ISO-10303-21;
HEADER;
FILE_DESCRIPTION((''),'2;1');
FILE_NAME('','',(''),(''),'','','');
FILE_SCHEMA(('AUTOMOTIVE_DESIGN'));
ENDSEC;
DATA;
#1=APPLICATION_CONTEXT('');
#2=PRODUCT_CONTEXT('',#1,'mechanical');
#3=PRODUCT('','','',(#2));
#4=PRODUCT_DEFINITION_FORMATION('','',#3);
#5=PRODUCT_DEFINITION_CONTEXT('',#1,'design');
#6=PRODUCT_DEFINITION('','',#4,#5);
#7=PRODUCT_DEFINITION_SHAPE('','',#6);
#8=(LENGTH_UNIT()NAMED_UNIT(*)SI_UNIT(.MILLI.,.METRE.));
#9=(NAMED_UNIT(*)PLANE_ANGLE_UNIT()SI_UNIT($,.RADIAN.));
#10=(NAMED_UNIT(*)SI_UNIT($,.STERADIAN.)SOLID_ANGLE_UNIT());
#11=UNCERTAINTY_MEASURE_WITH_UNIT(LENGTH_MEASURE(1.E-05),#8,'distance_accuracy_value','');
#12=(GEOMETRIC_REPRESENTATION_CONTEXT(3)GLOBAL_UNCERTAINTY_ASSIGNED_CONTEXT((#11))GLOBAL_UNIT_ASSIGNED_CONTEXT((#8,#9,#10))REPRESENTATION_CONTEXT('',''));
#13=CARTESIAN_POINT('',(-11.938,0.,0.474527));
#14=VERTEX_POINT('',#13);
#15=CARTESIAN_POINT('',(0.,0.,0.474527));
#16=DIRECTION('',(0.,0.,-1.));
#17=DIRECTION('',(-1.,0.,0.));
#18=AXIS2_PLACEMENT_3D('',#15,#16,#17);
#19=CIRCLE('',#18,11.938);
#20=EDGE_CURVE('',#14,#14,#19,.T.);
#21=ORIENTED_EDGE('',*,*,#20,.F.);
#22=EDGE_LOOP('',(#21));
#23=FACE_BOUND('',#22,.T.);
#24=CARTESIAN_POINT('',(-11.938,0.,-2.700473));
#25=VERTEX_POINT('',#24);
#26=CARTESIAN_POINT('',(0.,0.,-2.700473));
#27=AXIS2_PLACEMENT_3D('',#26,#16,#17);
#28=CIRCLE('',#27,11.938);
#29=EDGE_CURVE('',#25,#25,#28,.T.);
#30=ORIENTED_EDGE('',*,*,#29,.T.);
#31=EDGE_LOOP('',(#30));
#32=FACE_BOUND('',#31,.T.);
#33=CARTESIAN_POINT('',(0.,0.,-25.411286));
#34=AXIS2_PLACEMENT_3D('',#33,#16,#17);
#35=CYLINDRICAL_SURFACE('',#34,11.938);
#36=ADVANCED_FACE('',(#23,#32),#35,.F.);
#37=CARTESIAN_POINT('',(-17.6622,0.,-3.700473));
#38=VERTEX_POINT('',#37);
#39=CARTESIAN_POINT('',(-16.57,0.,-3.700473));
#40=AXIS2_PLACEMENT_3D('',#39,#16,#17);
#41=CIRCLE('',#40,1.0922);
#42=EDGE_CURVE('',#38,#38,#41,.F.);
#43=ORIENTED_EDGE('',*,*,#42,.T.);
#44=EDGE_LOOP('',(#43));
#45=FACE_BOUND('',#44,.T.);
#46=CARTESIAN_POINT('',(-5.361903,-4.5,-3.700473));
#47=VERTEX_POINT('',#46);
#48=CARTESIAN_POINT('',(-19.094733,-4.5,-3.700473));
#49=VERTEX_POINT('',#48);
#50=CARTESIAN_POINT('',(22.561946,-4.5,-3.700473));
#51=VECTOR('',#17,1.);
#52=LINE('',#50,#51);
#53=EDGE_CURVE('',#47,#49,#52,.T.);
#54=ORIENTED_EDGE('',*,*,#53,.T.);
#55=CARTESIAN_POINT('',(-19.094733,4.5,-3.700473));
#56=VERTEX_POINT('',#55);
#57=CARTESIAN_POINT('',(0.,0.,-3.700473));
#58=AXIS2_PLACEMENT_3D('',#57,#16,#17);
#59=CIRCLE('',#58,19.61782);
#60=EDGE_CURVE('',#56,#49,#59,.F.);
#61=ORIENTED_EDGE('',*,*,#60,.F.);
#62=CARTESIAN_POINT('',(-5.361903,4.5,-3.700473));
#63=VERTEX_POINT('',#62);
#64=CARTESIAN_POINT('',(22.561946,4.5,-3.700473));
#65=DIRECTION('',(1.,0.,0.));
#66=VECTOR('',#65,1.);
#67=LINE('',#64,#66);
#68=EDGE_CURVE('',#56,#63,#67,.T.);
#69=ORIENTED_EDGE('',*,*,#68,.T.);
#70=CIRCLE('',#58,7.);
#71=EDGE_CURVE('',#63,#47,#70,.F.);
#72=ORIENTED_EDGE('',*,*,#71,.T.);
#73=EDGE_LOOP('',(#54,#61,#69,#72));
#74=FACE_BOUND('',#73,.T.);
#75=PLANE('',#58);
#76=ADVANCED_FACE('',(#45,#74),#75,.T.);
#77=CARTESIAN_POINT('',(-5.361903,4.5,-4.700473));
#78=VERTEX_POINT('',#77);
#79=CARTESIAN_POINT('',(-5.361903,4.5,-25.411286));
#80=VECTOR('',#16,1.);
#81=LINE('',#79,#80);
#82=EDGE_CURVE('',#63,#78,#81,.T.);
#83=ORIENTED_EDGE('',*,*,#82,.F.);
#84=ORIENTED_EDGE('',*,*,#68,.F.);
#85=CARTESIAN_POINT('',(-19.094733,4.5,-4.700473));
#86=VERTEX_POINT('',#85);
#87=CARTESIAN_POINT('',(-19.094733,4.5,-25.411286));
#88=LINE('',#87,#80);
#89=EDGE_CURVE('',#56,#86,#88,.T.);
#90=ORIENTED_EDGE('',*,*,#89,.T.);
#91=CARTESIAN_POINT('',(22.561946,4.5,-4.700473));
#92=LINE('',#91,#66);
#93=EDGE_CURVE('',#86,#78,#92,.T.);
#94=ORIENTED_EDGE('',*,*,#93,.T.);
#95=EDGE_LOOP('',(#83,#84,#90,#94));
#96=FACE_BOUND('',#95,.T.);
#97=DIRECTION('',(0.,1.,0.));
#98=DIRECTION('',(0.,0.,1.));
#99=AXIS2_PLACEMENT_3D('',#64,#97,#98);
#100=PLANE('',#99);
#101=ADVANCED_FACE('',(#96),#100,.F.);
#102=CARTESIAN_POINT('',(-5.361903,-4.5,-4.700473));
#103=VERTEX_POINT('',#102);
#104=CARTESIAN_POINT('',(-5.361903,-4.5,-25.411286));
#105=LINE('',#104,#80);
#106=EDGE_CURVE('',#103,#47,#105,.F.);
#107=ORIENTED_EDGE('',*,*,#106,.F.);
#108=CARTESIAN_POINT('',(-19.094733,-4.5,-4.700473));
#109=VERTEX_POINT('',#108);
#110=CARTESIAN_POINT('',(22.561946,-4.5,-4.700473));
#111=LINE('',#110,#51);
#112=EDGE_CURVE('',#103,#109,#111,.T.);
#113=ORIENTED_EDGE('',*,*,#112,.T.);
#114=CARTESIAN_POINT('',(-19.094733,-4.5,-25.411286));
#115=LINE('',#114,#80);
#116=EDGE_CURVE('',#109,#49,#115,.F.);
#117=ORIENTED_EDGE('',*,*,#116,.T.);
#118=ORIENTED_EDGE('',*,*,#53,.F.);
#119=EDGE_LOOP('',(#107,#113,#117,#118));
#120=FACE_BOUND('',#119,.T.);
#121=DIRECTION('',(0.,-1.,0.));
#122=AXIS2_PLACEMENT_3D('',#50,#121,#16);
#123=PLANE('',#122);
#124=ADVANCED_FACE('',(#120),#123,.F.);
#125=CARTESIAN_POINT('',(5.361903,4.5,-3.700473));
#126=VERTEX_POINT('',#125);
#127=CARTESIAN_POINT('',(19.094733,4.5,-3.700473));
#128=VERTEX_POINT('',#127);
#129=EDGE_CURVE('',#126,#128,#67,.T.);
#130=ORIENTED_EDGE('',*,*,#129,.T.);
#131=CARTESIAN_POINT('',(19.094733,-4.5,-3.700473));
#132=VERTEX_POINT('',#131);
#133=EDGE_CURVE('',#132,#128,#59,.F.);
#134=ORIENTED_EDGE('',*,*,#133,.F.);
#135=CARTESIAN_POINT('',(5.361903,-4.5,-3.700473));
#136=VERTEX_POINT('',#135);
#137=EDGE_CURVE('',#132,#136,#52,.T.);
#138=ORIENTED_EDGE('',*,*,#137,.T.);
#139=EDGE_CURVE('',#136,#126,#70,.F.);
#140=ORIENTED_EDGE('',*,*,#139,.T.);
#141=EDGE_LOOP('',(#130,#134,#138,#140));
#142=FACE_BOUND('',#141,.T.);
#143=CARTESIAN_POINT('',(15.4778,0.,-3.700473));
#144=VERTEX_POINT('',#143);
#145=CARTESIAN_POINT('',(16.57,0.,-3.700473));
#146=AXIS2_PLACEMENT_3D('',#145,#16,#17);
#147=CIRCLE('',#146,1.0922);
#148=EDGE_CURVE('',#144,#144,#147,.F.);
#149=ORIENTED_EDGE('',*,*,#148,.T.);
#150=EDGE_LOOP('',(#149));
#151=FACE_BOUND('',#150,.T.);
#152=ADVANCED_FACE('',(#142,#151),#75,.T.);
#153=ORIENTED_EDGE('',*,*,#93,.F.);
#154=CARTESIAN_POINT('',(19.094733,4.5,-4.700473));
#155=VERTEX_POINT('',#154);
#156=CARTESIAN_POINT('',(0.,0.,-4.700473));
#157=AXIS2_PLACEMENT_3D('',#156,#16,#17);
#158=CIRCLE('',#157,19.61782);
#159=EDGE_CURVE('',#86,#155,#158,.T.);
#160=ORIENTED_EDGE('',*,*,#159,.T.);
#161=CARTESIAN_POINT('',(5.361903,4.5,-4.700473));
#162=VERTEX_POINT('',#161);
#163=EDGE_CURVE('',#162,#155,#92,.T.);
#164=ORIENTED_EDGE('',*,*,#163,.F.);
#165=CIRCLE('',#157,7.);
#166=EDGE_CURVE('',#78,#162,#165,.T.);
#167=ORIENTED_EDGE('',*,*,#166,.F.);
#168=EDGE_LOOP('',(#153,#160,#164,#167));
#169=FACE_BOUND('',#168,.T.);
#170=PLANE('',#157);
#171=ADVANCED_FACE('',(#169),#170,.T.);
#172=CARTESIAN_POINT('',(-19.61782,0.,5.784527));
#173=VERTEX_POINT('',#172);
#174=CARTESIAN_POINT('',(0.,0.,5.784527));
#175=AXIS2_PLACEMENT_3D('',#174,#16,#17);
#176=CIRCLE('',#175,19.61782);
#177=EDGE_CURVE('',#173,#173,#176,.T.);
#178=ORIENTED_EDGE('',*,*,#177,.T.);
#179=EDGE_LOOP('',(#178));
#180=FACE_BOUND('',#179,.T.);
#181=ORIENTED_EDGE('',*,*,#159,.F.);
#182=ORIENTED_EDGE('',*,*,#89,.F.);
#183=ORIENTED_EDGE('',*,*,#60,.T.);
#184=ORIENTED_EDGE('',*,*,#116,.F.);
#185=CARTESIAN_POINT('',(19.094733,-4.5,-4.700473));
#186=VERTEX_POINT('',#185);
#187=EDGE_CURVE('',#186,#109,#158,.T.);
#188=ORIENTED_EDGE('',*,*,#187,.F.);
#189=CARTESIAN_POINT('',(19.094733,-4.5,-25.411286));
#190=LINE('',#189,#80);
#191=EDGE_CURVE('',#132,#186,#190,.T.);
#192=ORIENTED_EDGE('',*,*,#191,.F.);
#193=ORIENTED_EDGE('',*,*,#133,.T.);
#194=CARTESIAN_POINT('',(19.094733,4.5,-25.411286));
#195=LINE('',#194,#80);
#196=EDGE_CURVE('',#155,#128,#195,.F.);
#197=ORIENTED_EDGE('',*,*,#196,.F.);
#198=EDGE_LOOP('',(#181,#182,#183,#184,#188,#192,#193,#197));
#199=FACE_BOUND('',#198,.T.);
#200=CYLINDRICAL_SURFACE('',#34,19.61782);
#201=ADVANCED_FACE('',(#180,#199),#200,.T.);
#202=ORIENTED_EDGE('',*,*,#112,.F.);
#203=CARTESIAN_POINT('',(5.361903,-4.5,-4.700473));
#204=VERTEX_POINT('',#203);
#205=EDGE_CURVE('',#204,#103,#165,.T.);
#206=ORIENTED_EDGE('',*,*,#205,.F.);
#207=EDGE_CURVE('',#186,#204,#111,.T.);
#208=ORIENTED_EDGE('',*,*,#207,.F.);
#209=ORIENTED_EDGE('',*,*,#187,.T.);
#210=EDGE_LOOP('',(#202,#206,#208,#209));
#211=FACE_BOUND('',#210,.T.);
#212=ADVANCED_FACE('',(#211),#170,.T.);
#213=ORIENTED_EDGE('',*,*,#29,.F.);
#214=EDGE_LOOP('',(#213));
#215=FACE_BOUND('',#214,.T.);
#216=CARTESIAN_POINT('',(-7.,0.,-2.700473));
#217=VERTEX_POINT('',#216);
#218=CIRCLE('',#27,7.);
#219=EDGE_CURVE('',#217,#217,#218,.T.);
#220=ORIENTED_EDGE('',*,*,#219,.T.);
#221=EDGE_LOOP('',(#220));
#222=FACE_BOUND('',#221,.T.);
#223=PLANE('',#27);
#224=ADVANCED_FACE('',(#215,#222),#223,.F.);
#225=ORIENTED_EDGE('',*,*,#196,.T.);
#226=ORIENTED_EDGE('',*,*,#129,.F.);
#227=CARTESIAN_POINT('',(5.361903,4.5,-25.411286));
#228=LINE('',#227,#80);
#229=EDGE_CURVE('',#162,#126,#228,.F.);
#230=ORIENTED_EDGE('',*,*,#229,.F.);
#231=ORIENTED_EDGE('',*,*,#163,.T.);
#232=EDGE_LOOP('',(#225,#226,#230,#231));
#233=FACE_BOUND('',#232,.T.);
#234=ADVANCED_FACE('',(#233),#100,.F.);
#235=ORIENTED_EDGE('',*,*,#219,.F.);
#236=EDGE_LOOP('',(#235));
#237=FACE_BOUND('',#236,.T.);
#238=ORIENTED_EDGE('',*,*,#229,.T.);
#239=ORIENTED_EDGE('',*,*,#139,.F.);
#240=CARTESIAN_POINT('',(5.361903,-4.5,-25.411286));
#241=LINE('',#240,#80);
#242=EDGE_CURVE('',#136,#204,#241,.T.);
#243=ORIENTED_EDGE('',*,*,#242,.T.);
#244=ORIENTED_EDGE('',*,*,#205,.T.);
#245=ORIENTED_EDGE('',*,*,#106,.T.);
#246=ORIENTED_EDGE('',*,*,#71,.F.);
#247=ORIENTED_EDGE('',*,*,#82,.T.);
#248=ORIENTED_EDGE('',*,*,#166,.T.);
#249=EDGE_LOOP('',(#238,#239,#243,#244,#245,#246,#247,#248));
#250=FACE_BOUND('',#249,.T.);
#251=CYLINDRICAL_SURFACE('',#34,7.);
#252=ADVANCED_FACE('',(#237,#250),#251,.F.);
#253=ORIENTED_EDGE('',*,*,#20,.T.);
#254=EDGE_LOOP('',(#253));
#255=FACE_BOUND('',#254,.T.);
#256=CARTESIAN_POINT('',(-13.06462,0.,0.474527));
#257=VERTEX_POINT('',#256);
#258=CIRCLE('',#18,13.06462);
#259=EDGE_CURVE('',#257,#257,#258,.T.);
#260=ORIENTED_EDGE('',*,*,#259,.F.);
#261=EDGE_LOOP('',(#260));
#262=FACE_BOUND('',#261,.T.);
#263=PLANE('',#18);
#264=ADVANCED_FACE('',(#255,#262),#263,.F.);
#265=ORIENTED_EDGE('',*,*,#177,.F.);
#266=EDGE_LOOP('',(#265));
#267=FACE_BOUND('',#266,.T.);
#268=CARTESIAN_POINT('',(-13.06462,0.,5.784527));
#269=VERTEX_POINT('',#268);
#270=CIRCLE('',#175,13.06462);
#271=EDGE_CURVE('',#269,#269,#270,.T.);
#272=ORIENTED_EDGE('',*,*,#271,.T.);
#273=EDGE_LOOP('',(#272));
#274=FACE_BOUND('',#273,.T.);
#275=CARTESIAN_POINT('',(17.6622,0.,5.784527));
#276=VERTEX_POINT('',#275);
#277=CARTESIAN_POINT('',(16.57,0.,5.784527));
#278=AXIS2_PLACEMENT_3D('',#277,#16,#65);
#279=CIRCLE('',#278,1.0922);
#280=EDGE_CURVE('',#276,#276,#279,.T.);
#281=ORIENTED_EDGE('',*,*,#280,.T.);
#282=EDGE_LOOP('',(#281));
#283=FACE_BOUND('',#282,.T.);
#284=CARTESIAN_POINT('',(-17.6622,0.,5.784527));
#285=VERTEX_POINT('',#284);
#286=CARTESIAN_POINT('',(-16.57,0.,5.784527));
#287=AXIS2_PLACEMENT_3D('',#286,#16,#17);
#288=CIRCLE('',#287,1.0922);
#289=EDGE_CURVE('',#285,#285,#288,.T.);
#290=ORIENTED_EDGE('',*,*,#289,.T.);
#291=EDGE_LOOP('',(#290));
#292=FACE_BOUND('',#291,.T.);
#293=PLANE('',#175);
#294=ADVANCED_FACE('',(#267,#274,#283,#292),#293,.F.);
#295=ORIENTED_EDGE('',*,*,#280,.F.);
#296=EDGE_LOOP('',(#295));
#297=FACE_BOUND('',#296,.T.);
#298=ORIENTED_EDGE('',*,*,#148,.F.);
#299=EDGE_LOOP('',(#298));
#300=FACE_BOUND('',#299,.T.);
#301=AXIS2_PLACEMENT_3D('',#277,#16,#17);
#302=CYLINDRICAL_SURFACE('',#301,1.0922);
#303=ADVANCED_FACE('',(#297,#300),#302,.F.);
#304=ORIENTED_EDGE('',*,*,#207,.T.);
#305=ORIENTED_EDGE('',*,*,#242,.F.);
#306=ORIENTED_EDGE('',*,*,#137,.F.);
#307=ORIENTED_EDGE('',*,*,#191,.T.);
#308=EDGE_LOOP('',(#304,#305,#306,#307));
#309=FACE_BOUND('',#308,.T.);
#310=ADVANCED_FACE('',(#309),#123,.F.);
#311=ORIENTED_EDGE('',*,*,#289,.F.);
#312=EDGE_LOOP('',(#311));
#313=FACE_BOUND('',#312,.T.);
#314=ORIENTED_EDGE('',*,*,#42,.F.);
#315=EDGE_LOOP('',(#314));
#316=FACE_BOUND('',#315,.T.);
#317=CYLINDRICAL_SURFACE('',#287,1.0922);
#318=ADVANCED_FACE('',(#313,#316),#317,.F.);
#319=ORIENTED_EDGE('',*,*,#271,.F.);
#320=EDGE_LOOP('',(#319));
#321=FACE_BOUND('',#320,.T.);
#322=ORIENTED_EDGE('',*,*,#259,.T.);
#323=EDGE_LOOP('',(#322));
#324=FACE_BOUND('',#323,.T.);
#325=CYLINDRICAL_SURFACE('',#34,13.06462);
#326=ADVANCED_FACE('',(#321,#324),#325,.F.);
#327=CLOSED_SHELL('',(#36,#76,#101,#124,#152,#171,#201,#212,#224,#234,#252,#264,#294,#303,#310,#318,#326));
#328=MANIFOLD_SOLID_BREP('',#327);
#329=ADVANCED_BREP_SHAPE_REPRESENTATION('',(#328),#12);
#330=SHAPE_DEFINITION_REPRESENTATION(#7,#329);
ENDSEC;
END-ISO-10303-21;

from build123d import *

# Parameters (mm, degrees)
SKETCH1_W          = 12.617819502
SKETCH1_H          = 2
SKETCH1_W_2        = 6.5532
SKETCH1_H_2        = 5.31
SKETCH2_R          = 1.0922
CUT_EXTRUDE1_DEPTH = 30.658943154
SKETCH3_W          = 45.123892984
SKETCH3_H          = 9
CUT_EXTRUDE2_DEPTH = 1


with BuildPart() as part:
    # Sketch1 → Revolve1 (revolve)
    with BuildSketch(Plane(origin=(0, 0, 0), x_dir=(1, 0, 0), z_dir=(0, 1, 0))):
        with Locations((-13.308909751, 3.700473465)):
            Rectangle(SKETCH1_W, SKETCH1_H)
        Polygon((-11.938, 2.700473465), (-19.617819502, 2.700473465), (-19.617819502, -0.474526535), (-13.064619502, -0.474526535), (-11.938, -0.474526535), align=None)
        with Locations((-16.341219502, -3.129526535)):
            Rectangle(SKETCH1_W_2, SKETCH1_H_2)
    revolve(axis=Axis((0, 0, -25.411285606), (0, 0, 1)))

    # Sketch2 → Cut-Extrude1 (cut, through all)
    with BuildSketch(Plane(origin=(0, 0, -4.700473465), x_dir=(-1, 0, 0), z_dir=(0, 0, -1))):
        with Locations((16.57, 0)):
            Circle(SKETCH2_R)
        with Locations(Location((-16.57, 0, 0), (0, 0, 180))):
            Circle(SKETCH2_R)
    extrude(amount=-CUT_EXTRUDE1_DEPTH, mode=Mode.SUBTRACT)

    # Sketch3 → Cut-Extrude2 (cut)
    with BuildSketch(Plane(origin=(0, 0, -4.700473465), x_dir=(-1, 0, 0), z_dir=(0, 0, -1))):
        Rectangle(SKETCH3_W, SKETCH3_H)
    extrude(amount=-CUT_EXTRUDE2_DEPTH, mode=Mode.SUBTRACT)


solid = part.part
